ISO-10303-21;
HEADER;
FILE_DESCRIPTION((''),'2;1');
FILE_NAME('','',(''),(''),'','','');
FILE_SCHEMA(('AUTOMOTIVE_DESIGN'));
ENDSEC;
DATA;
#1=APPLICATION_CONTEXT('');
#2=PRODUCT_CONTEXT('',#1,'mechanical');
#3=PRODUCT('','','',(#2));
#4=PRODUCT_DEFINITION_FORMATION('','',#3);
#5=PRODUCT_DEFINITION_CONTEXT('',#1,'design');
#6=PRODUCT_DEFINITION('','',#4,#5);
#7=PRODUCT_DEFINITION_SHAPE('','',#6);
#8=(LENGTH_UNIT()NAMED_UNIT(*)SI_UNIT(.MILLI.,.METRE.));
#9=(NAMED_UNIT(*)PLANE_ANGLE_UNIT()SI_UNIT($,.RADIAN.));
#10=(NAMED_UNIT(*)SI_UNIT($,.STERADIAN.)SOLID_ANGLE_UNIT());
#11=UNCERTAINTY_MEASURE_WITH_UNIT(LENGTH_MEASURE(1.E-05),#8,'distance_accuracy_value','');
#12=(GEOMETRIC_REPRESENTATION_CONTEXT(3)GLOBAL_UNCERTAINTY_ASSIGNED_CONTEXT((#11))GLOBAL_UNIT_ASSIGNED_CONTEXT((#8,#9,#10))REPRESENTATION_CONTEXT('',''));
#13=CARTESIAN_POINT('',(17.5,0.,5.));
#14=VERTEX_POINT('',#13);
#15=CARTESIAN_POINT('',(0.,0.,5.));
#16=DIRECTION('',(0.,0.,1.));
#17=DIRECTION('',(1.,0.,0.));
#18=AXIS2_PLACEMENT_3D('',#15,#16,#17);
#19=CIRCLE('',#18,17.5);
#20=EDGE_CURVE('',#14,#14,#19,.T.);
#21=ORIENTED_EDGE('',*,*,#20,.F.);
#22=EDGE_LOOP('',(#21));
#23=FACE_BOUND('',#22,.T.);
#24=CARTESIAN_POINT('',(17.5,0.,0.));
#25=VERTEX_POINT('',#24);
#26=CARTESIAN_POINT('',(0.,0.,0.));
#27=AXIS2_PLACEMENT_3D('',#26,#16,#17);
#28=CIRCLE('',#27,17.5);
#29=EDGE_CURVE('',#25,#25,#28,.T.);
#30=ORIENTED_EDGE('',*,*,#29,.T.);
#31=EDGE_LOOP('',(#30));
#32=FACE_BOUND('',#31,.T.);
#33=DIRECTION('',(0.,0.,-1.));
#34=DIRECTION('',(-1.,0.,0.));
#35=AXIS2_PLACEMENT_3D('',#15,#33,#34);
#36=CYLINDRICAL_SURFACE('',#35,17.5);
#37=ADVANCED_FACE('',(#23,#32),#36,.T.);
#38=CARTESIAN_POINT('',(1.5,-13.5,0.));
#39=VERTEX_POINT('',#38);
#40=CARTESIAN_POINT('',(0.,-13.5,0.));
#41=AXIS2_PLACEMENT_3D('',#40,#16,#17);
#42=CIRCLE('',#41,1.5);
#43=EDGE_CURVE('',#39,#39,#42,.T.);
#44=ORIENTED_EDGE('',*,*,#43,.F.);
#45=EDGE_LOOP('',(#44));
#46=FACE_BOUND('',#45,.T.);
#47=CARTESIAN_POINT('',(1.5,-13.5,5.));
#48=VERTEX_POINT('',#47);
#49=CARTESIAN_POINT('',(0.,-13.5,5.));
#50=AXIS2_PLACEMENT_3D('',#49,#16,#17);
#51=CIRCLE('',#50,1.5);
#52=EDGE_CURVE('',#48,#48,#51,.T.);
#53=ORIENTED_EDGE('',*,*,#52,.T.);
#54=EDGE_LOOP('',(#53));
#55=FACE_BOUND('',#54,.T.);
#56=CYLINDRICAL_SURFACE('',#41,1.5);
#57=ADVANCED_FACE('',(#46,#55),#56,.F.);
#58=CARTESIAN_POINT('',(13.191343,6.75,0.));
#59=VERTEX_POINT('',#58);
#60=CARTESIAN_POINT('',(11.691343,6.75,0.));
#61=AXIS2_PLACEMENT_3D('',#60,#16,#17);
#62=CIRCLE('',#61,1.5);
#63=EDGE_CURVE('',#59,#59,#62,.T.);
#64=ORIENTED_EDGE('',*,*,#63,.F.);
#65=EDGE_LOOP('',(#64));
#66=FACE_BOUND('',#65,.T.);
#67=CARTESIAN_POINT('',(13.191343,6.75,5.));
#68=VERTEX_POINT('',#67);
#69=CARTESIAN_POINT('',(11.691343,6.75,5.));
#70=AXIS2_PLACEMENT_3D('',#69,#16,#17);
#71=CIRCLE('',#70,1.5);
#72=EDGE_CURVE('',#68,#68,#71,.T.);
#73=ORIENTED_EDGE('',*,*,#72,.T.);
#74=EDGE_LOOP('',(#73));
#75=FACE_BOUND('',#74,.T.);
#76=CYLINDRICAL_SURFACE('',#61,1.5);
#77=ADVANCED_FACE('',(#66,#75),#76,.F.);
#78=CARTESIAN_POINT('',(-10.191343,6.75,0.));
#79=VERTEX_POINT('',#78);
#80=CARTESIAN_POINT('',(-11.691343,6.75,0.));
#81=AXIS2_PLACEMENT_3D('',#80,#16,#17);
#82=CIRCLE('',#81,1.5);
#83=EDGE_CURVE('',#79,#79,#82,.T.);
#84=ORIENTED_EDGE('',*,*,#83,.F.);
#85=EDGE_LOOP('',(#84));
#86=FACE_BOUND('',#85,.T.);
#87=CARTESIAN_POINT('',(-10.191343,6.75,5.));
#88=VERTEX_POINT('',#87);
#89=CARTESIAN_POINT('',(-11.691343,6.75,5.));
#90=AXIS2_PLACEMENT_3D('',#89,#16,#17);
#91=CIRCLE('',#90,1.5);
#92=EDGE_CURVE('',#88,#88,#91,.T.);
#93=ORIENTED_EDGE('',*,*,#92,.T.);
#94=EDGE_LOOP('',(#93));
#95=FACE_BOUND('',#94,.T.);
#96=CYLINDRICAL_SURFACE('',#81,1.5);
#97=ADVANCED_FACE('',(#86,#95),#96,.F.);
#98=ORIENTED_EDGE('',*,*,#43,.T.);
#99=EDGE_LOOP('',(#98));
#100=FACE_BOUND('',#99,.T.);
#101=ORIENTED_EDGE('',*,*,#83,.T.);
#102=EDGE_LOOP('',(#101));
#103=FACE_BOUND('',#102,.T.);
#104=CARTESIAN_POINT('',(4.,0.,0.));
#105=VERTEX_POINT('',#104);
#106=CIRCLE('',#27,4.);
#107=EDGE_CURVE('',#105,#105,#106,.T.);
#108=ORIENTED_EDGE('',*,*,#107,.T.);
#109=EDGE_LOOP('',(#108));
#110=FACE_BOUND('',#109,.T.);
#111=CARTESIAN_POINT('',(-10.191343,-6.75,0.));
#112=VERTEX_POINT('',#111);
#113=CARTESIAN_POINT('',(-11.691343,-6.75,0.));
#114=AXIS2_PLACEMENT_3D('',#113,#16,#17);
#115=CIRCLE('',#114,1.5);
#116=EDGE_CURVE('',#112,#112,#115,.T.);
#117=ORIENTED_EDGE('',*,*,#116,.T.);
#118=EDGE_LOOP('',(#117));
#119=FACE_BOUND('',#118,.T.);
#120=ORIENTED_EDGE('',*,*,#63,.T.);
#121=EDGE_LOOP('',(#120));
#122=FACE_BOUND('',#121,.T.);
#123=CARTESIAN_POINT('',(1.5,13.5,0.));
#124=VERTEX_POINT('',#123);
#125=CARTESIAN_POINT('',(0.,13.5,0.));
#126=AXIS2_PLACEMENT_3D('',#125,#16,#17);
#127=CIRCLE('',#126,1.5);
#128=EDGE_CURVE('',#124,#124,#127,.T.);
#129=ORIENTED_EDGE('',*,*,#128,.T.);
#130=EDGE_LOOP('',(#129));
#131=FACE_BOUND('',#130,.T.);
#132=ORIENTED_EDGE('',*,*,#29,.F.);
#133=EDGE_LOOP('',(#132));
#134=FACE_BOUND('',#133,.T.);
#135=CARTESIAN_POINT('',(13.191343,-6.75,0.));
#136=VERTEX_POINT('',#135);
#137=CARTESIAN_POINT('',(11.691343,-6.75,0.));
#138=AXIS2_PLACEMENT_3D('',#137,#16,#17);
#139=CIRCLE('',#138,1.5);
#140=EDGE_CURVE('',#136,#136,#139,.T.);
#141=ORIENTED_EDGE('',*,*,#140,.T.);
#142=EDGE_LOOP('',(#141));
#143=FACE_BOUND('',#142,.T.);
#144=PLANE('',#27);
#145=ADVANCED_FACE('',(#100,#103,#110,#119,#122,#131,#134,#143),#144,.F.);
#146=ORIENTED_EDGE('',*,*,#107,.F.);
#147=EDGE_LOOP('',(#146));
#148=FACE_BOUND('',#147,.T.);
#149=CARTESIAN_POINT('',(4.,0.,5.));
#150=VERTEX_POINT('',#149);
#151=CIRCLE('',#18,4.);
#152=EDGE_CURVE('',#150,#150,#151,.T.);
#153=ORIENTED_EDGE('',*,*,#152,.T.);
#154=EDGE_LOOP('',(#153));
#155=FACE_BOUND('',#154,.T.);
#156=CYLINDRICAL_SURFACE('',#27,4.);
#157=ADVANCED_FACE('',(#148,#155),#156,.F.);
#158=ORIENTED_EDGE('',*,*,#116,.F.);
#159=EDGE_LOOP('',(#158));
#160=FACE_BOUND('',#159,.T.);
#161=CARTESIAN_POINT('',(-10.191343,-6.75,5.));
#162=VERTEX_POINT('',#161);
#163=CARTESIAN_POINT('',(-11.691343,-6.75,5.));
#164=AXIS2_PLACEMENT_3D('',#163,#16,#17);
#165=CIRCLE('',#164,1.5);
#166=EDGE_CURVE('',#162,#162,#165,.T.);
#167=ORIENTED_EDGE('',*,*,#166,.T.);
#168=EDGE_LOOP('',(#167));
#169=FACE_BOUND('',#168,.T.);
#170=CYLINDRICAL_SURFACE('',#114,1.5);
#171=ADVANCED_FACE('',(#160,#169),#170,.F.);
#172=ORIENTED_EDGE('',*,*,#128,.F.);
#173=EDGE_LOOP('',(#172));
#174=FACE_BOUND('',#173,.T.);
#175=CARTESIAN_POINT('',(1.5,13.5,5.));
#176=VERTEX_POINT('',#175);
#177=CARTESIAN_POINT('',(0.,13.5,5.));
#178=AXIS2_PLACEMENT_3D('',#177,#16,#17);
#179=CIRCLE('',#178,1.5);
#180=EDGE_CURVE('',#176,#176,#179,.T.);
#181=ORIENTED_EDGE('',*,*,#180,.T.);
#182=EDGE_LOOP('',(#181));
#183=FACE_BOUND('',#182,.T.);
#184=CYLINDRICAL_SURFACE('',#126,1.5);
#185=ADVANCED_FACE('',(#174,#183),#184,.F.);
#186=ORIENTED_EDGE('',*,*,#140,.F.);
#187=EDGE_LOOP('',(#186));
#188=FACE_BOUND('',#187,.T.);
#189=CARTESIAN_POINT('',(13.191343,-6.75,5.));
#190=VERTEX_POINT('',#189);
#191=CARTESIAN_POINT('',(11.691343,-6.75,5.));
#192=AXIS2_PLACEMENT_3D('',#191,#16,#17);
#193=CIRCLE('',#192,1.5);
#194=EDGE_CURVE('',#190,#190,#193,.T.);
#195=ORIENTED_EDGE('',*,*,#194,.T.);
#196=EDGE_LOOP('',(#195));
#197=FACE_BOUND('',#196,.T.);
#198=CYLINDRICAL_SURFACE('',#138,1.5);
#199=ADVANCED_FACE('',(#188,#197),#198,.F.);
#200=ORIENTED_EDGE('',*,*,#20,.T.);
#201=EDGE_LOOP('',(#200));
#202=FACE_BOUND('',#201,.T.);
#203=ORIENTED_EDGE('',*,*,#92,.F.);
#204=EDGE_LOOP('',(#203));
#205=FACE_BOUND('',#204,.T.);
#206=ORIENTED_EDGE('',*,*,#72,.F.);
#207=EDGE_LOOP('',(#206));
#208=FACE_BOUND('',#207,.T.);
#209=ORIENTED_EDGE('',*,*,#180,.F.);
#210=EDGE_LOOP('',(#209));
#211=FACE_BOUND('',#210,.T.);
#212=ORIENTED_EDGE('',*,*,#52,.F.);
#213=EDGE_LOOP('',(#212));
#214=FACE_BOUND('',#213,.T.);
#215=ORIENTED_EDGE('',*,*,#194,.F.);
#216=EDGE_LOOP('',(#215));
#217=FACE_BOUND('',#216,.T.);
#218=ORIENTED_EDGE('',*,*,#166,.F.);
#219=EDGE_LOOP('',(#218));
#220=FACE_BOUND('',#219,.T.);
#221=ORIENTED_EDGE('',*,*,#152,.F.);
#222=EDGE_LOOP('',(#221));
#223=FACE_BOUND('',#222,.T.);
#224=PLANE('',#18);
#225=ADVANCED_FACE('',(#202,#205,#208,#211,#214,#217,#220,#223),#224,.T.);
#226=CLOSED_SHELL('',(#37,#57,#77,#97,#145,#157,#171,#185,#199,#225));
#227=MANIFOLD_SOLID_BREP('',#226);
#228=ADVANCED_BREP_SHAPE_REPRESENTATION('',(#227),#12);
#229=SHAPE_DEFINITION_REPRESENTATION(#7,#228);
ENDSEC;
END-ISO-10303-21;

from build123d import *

# Parameters (mm, degrees)
SKETCH_1_R          = 17.5
EXTRUDE_1_DEPTH     = 5
SKETCH_2_R          = 1.5
SKETCH_2_R_2        = 4
CUT_EXTRUDE_1_DEPTH = 5


with BuildPart() as part:
    # 草图1 → 凸台-拉伸1 (new body)
    with BuildSketch(Plane.XY):
        Circle(SKETCH_1_R)
    extrude(amount=EXTRUDE_1_DEPTH)

    # 草图2 → 切除-拉伸1 (cut)
    with BuildSketch(Plane.XY.offset(5)):
        with Locations((0, 13.5)):
            Circle(SKETCH_2_R)
        with Locations((11.691342951, 6.75)):
            Circle(SKETCH_2_R)
        with Locations((11.691342951, -6.75)):
            Circle(SKETCH_2_R)
        Circle(SKETCH_2_R_2)
        with Locations((0, -13.5)):
            Circle(SKETCH_2_R)
        with Locations((-11.691342951, -6.75)):
            Circle(SKETCH_2_R)
        with Locations((-11.691342951, 6.75)):
            Circle(SKETCH_2_R)
    extrude(amount=-CUT_EXTRUDE_1_DEPTH, mode=Mode.SUBTRACT)


solid = part.part
